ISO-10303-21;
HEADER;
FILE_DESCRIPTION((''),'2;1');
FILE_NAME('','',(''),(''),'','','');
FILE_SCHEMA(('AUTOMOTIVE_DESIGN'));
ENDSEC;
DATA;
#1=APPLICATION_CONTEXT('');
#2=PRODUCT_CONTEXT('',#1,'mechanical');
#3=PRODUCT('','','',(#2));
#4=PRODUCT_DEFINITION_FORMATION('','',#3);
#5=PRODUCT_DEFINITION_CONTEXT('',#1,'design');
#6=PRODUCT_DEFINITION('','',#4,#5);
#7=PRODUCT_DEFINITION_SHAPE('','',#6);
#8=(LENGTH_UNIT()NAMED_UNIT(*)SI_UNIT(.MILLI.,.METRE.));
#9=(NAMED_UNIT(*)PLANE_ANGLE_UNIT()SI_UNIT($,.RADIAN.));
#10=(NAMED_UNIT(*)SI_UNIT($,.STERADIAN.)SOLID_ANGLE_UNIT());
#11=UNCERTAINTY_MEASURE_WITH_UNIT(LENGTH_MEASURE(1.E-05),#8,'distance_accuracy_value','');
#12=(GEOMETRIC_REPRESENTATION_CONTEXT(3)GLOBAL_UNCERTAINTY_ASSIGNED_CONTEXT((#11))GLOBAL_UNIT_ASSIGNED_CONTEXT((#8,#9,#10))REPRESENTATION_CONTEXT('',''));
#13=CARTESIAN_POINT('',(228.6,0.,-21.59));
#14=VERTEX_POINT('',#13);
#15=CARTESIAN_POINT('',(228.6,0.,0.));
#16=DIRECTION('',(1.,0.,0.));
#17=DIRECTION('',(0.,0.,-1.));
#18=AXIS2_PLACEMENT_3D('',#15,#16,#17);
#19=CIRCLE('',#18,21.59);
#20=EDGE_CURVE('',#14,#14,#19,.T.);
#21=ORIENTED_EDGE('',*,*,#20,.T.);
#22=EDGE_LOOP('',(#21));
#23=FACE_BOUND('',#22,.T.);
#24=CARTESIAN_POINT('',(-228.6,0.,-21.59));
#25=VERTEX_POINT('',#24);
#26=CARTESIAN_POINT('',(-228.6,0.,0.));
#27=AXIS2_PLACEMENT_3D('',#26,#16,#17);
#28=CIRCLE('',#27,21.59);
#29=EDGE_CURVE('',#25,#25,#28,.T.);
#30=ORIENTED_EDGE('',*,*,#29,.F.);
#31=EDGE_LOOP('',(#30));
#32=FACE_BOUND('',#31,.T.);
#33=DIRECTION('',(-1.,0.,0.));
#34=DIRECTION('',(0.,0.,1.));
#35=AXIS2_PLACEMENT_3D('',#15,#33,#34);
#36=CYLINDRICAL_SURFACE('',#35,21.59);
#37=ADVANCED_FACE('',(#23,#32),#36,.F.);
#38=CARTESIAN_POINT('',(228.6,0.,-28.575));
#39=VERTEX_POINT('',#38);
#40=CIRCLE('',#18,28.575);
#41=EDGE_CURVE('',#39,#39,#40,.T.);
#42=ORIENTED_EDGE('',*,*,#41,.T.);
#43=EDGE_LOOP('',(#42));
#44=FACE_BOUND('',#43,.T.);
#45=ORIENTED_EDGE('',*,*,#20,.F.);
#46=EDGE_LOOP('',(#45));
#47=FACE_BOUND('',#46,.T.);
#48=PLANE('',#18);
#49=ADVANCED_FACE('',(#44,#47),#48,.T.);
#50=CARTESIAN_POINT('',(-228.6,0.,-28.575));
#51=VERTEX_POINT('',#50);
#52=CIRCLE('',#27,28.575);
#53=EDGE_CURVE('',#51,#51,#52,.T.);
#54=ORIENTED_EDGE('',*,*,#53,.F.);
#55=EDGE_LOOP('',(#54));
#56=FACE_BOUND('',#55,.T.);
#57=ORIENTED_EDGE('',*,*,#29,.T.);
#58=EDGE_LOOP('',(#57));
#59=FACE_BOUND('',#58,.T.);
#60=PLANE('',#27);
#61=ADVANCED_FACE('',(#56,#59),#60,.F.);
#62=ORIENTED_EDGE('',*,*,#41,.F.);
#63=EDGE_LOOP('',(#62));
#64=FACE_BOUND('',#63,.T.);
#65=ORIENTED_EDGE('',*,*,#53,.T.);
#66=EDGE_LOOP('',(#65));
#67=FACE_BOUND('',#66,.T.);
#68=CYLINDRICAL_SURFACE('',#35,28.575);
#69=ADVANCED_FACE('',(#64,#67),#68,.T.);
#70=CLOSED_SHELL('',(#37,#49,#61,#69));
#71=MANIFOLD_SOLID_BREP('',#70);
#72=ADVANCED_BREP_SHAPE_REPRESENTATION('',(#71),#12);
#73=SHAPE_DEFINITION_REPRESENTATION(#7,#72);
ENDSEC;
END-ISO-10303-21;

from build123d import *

# Parameters (mm, degrees)
SKETCH1_R           = 28.575
SKETCH1_R_2         = 21.59
BOSS_EXTRUDE1_DEPTH = 228.6


with BuildPart() as part:
    # Sketch1 → Boss-Extrude1 (new body, symmetric)
    with BuildSketch(Plane(origin=(0, 0, 0), x_dir=(0, 0, -1), z_dir=(1, 0, 0))):
        Circle(SKETCH1_R)
        Circle(SKETCH1_R_2, mode=Mode.SUBTRACT)
    extrude(amount=BOSS_EXTRUDE1_DEPTH, both=True)


solid = part.part
